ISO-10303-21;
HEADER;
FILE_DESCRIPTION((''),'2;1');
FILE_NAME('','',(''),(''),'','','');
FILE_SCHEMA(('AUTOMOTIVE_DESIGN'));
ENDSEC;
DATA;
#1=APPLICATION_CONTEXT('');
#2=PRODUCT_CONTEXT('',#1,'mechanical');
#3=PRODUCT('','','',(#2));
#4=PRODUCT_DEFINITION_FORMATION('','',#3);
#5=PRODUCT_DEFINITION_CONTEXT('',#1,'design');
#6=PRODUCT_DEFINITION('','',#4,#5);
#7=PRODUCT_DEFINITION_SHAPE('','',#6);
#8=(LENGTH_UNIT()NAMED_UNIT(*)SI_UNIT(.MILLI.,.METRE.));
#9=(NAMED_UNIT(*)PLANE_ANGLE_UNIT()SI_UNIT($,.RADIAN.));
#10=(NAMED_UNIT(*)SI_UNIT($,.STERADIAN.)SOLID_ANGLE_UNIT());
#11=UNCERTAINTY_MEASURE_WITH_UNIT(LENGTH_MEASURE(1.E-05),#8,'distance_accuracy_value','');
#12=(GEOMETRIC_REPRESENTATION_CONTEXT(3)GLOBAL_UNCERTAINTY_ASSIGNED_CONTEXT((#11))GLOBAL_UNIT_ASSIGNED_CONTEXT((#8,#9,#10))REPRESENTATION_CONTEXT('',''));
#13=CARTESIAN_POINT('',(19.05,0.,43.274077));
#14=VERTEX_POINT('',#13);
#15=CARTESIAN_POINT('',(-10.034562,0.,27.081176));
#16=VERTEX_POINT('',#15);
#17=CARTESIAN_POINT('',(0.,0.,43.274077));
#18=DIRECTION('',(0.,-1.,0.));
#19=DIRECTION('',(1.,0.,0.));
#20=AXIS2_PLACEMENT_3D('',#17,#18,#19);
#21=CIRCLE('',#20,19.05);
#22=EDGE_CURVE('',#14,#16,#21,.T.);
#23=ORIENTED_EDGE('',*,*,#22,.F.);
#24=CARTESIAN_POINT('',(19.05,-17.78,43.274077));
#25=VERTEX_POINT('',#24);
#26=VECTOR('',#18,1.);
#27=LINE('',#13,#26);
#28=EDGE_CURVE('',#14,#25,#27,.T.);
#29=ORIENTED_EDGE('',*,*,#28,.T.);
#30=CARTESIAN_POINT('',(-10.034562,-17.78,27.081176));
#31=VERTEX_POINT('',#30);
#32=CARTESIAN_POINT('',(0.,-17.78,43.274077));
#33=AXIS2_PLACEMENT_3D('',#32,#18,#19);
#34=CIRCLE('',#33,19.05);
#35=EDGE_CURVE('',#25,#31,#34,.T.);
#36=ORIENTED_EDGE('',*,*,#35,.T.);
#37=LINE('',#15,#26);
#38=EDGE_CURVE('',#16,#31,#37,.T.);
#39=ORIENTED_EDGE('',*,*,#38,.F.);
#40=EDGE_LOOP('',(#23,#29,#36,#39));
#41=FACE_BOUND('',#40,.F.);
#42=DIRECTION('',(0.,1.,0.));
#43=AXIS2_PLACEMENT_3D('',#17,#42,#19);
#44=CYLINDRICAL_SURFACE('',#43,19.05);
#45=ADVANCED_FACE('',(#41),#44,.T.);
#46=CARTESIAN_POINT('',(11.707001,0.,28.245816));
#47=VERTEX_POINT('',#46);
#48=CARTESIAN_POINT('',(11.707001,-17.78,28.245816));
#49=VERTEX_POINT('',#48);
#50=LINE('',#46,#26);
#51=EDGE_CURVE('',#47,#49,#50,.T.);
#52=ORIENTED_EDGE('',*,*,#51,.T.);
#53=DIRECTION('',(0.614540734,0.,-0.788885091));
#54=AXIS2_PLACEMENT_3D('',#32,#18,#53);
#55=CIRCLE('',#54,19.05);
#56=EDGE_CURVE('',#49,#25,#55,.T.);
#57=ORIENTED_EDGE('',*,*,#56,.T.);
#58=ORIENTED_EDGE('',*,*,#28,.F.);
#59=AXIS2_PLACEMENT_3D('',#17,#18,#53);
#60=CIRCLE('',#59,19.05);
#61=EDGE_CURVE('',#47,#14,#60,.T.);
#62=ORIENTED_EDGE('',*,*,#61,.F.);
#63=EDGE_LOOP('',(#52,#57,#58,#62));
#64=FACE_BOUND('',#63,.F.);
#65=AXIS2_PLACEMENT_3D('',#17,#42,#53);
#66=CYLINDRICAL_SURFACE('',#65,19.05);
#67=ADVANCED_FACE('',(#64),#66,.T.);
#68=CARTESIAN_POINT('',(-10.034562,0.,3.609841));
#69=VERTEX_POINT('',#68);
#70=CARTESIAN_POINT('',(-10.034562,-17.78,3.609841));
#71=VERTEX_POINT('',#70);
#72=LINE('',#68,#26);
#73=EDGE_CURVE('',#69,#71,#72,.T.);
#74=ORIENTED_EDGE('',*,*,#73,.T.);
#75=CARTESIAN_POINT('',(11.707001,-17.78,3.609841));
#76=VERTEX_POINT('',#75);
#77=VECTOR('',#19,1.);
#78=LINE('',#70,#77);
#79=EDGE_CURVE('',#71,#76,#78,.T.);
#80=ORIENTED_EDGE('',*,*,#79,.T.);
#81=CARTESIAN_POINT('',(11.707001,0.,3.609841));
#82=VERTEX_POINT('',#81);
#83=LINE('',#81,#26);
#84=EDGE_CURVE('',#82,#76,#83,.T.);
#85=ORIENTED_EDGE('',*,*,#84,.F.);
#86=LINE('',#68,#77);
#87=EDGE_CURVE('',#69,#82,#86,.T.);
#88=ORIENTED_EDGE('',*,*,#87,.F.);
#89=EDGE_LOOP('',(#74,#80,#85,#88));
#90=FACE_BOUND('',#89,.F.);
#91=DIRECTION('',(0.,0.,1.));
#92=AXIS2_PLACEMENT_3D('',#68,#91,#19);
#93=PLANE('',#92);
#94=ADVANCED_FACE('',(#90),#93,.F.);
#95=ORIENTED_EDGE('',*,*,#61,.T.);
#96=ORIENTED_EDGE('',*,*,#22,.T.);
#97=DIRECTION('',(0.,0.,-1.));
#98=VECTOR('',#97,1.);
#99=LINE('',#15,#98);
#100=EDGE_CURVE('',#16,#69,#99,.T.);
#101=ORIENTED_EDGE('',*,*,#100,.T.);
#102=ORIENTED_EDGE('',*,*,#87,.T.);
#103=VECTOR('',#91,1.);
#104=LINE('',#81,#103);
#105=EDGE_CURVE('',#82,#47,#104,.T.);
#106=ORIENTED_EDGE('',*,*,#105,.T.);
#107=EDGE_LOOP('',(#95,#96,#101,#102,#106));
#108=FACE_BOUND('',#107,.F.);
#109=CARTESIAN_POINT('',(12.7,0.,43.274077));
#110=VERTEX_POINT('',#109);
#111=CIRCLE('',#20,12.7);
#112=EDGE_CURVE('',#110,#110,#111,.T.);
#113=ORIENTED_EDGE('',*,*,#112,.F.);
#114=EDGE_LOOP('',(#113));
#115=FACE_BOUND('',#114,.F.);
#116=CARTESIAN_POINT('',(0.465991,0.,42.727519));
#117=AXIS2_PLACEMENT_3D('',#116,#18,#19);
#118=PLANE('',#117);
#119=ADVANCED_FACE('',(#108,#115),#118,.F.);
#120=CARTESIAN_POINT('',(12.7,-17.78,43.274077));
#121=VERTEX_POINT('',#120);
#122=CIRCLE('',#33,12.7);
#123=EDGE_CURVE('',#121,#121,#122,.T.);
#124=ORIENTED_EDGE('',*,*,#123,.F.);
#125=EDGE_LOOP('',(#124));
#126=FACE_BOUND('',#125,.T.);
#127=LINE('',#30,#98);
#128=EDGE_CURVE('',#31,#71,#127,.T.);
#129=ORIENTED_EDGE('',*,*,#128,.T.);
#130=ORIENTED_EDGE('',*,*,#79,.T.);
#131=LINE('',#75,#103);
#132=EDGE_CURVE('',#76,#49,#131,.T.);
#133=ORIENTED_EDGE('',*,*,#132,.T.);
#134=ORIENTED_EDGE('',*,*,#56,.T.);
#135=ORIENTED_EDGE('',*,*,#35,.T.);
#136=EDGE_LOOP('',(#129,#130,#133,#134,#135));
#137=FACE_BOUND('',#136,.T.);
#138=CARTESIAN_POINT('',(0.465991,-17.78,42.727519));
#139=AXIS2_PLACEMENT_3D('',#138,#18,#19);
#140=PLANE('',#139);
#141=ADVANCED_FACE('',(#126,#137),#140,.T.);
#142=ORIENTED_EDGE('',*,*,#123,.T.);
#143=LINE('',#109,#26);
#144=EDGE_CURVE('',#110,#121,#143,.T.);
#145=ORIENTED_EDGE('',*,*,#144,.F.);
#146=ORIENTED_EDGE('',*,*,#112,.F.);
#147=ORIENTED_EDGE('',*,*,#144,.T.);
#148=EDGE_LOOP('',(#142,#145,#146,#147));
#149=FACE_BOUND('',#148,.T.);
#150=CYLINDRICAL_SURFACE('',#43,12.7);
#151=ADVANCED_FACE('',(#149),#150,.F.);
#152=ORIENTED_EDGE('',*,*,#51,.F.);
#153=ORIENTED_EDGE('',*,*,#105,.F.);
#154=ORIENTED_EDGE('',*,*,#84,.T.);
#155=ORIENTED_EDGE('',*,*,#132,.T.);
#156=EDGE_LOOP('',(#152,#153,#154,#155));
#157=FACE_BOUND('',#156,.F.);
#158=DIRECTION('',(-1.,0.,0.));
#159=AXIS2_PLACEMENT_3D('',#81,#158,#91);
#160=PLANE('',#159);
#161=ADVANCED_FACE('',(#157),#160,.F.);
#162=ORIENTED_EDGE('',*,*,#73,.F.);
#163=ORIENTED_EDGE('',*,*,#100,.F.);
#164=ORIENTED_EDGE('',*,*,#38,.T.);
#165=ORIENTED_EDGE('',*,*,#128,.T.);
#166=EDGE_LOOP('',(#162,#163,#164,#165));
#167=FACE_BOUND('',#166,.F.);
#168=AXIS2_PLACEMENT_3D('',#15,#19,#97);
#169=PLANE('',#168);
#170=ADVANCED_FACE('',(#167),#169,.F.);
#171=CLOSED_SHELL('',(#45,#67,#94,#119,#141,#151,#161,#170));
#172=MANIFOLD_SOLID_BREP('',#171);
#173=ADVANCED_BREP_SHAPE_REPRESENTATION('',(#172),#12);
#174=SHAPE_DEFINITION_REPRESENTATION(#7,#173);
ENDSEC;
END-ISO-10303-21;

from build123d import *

# Parameters (mm, degrees)
F0_R     = 12.7
F1_DEPTH = 17.78


with BuildPart() as f1:
    # F0 (on Front) → F1 (new body)
    with BuildSketch(Plane.XZ):
        with BuildLine():
            ThreePointArc((11.7070009771, 28.2458162132), (17.1160870034, 34.9109398829), (19.05, 43.2740771945))
            ThreePointArc((19.05, 43.2740771945), (-9.2667170561, 59.9183090783), (-10.0345622049, 27.0811756214))
            Line((-10.0345622049, 27.0811756214), (-10.0345622049, 29.0098414834))
            Line((-10.0345622049, 29.0098414834), (11.7070009771, 29.0098414834))
            Line((11.7070009771, 29.0098414834), (11.7070009771, 28.2458162132))
        make_face()
        with Locations((0, 43.2740771945)):
            Circle(F0_R, mode=Mode.SUBTRACT)
        with BuildLine():
            Line((-10.0345622049, 29.0098414834), (-10.0345622049, 27.0811756214))
            ThreePointArc((-10.0345622049, 27.0811756214), (1.0189994057, 24.2513502551), (11.7070009771, 28.2458162132))
            Line((11.7070009771, 28.2458162132), (11.7070009771, 29.0098414834))
            Line((11.7070009771, 29.0098414834), (-10.0345622049, 29.0098414834))
        make_face()
        with BuildLine():
            ThreePointArc((11.7070009771, 28.2458162132), (1.0189994057, 24.2513502551), (-10.0345622049, 27.0811756214))
            Line((-10.0345622049, 27.0811756214), (-10.0345622049, 3.6098414834))
            Line((-10.0345622049, 3.6098414834), (11.7070009771, 3.6098414834))
            Line((11.7070009771, 3.6098414834), (11.7070009771, 28.2458162132))
        make_face()
    extrude(amount=F1_DEPTH)


solid = f1.part
